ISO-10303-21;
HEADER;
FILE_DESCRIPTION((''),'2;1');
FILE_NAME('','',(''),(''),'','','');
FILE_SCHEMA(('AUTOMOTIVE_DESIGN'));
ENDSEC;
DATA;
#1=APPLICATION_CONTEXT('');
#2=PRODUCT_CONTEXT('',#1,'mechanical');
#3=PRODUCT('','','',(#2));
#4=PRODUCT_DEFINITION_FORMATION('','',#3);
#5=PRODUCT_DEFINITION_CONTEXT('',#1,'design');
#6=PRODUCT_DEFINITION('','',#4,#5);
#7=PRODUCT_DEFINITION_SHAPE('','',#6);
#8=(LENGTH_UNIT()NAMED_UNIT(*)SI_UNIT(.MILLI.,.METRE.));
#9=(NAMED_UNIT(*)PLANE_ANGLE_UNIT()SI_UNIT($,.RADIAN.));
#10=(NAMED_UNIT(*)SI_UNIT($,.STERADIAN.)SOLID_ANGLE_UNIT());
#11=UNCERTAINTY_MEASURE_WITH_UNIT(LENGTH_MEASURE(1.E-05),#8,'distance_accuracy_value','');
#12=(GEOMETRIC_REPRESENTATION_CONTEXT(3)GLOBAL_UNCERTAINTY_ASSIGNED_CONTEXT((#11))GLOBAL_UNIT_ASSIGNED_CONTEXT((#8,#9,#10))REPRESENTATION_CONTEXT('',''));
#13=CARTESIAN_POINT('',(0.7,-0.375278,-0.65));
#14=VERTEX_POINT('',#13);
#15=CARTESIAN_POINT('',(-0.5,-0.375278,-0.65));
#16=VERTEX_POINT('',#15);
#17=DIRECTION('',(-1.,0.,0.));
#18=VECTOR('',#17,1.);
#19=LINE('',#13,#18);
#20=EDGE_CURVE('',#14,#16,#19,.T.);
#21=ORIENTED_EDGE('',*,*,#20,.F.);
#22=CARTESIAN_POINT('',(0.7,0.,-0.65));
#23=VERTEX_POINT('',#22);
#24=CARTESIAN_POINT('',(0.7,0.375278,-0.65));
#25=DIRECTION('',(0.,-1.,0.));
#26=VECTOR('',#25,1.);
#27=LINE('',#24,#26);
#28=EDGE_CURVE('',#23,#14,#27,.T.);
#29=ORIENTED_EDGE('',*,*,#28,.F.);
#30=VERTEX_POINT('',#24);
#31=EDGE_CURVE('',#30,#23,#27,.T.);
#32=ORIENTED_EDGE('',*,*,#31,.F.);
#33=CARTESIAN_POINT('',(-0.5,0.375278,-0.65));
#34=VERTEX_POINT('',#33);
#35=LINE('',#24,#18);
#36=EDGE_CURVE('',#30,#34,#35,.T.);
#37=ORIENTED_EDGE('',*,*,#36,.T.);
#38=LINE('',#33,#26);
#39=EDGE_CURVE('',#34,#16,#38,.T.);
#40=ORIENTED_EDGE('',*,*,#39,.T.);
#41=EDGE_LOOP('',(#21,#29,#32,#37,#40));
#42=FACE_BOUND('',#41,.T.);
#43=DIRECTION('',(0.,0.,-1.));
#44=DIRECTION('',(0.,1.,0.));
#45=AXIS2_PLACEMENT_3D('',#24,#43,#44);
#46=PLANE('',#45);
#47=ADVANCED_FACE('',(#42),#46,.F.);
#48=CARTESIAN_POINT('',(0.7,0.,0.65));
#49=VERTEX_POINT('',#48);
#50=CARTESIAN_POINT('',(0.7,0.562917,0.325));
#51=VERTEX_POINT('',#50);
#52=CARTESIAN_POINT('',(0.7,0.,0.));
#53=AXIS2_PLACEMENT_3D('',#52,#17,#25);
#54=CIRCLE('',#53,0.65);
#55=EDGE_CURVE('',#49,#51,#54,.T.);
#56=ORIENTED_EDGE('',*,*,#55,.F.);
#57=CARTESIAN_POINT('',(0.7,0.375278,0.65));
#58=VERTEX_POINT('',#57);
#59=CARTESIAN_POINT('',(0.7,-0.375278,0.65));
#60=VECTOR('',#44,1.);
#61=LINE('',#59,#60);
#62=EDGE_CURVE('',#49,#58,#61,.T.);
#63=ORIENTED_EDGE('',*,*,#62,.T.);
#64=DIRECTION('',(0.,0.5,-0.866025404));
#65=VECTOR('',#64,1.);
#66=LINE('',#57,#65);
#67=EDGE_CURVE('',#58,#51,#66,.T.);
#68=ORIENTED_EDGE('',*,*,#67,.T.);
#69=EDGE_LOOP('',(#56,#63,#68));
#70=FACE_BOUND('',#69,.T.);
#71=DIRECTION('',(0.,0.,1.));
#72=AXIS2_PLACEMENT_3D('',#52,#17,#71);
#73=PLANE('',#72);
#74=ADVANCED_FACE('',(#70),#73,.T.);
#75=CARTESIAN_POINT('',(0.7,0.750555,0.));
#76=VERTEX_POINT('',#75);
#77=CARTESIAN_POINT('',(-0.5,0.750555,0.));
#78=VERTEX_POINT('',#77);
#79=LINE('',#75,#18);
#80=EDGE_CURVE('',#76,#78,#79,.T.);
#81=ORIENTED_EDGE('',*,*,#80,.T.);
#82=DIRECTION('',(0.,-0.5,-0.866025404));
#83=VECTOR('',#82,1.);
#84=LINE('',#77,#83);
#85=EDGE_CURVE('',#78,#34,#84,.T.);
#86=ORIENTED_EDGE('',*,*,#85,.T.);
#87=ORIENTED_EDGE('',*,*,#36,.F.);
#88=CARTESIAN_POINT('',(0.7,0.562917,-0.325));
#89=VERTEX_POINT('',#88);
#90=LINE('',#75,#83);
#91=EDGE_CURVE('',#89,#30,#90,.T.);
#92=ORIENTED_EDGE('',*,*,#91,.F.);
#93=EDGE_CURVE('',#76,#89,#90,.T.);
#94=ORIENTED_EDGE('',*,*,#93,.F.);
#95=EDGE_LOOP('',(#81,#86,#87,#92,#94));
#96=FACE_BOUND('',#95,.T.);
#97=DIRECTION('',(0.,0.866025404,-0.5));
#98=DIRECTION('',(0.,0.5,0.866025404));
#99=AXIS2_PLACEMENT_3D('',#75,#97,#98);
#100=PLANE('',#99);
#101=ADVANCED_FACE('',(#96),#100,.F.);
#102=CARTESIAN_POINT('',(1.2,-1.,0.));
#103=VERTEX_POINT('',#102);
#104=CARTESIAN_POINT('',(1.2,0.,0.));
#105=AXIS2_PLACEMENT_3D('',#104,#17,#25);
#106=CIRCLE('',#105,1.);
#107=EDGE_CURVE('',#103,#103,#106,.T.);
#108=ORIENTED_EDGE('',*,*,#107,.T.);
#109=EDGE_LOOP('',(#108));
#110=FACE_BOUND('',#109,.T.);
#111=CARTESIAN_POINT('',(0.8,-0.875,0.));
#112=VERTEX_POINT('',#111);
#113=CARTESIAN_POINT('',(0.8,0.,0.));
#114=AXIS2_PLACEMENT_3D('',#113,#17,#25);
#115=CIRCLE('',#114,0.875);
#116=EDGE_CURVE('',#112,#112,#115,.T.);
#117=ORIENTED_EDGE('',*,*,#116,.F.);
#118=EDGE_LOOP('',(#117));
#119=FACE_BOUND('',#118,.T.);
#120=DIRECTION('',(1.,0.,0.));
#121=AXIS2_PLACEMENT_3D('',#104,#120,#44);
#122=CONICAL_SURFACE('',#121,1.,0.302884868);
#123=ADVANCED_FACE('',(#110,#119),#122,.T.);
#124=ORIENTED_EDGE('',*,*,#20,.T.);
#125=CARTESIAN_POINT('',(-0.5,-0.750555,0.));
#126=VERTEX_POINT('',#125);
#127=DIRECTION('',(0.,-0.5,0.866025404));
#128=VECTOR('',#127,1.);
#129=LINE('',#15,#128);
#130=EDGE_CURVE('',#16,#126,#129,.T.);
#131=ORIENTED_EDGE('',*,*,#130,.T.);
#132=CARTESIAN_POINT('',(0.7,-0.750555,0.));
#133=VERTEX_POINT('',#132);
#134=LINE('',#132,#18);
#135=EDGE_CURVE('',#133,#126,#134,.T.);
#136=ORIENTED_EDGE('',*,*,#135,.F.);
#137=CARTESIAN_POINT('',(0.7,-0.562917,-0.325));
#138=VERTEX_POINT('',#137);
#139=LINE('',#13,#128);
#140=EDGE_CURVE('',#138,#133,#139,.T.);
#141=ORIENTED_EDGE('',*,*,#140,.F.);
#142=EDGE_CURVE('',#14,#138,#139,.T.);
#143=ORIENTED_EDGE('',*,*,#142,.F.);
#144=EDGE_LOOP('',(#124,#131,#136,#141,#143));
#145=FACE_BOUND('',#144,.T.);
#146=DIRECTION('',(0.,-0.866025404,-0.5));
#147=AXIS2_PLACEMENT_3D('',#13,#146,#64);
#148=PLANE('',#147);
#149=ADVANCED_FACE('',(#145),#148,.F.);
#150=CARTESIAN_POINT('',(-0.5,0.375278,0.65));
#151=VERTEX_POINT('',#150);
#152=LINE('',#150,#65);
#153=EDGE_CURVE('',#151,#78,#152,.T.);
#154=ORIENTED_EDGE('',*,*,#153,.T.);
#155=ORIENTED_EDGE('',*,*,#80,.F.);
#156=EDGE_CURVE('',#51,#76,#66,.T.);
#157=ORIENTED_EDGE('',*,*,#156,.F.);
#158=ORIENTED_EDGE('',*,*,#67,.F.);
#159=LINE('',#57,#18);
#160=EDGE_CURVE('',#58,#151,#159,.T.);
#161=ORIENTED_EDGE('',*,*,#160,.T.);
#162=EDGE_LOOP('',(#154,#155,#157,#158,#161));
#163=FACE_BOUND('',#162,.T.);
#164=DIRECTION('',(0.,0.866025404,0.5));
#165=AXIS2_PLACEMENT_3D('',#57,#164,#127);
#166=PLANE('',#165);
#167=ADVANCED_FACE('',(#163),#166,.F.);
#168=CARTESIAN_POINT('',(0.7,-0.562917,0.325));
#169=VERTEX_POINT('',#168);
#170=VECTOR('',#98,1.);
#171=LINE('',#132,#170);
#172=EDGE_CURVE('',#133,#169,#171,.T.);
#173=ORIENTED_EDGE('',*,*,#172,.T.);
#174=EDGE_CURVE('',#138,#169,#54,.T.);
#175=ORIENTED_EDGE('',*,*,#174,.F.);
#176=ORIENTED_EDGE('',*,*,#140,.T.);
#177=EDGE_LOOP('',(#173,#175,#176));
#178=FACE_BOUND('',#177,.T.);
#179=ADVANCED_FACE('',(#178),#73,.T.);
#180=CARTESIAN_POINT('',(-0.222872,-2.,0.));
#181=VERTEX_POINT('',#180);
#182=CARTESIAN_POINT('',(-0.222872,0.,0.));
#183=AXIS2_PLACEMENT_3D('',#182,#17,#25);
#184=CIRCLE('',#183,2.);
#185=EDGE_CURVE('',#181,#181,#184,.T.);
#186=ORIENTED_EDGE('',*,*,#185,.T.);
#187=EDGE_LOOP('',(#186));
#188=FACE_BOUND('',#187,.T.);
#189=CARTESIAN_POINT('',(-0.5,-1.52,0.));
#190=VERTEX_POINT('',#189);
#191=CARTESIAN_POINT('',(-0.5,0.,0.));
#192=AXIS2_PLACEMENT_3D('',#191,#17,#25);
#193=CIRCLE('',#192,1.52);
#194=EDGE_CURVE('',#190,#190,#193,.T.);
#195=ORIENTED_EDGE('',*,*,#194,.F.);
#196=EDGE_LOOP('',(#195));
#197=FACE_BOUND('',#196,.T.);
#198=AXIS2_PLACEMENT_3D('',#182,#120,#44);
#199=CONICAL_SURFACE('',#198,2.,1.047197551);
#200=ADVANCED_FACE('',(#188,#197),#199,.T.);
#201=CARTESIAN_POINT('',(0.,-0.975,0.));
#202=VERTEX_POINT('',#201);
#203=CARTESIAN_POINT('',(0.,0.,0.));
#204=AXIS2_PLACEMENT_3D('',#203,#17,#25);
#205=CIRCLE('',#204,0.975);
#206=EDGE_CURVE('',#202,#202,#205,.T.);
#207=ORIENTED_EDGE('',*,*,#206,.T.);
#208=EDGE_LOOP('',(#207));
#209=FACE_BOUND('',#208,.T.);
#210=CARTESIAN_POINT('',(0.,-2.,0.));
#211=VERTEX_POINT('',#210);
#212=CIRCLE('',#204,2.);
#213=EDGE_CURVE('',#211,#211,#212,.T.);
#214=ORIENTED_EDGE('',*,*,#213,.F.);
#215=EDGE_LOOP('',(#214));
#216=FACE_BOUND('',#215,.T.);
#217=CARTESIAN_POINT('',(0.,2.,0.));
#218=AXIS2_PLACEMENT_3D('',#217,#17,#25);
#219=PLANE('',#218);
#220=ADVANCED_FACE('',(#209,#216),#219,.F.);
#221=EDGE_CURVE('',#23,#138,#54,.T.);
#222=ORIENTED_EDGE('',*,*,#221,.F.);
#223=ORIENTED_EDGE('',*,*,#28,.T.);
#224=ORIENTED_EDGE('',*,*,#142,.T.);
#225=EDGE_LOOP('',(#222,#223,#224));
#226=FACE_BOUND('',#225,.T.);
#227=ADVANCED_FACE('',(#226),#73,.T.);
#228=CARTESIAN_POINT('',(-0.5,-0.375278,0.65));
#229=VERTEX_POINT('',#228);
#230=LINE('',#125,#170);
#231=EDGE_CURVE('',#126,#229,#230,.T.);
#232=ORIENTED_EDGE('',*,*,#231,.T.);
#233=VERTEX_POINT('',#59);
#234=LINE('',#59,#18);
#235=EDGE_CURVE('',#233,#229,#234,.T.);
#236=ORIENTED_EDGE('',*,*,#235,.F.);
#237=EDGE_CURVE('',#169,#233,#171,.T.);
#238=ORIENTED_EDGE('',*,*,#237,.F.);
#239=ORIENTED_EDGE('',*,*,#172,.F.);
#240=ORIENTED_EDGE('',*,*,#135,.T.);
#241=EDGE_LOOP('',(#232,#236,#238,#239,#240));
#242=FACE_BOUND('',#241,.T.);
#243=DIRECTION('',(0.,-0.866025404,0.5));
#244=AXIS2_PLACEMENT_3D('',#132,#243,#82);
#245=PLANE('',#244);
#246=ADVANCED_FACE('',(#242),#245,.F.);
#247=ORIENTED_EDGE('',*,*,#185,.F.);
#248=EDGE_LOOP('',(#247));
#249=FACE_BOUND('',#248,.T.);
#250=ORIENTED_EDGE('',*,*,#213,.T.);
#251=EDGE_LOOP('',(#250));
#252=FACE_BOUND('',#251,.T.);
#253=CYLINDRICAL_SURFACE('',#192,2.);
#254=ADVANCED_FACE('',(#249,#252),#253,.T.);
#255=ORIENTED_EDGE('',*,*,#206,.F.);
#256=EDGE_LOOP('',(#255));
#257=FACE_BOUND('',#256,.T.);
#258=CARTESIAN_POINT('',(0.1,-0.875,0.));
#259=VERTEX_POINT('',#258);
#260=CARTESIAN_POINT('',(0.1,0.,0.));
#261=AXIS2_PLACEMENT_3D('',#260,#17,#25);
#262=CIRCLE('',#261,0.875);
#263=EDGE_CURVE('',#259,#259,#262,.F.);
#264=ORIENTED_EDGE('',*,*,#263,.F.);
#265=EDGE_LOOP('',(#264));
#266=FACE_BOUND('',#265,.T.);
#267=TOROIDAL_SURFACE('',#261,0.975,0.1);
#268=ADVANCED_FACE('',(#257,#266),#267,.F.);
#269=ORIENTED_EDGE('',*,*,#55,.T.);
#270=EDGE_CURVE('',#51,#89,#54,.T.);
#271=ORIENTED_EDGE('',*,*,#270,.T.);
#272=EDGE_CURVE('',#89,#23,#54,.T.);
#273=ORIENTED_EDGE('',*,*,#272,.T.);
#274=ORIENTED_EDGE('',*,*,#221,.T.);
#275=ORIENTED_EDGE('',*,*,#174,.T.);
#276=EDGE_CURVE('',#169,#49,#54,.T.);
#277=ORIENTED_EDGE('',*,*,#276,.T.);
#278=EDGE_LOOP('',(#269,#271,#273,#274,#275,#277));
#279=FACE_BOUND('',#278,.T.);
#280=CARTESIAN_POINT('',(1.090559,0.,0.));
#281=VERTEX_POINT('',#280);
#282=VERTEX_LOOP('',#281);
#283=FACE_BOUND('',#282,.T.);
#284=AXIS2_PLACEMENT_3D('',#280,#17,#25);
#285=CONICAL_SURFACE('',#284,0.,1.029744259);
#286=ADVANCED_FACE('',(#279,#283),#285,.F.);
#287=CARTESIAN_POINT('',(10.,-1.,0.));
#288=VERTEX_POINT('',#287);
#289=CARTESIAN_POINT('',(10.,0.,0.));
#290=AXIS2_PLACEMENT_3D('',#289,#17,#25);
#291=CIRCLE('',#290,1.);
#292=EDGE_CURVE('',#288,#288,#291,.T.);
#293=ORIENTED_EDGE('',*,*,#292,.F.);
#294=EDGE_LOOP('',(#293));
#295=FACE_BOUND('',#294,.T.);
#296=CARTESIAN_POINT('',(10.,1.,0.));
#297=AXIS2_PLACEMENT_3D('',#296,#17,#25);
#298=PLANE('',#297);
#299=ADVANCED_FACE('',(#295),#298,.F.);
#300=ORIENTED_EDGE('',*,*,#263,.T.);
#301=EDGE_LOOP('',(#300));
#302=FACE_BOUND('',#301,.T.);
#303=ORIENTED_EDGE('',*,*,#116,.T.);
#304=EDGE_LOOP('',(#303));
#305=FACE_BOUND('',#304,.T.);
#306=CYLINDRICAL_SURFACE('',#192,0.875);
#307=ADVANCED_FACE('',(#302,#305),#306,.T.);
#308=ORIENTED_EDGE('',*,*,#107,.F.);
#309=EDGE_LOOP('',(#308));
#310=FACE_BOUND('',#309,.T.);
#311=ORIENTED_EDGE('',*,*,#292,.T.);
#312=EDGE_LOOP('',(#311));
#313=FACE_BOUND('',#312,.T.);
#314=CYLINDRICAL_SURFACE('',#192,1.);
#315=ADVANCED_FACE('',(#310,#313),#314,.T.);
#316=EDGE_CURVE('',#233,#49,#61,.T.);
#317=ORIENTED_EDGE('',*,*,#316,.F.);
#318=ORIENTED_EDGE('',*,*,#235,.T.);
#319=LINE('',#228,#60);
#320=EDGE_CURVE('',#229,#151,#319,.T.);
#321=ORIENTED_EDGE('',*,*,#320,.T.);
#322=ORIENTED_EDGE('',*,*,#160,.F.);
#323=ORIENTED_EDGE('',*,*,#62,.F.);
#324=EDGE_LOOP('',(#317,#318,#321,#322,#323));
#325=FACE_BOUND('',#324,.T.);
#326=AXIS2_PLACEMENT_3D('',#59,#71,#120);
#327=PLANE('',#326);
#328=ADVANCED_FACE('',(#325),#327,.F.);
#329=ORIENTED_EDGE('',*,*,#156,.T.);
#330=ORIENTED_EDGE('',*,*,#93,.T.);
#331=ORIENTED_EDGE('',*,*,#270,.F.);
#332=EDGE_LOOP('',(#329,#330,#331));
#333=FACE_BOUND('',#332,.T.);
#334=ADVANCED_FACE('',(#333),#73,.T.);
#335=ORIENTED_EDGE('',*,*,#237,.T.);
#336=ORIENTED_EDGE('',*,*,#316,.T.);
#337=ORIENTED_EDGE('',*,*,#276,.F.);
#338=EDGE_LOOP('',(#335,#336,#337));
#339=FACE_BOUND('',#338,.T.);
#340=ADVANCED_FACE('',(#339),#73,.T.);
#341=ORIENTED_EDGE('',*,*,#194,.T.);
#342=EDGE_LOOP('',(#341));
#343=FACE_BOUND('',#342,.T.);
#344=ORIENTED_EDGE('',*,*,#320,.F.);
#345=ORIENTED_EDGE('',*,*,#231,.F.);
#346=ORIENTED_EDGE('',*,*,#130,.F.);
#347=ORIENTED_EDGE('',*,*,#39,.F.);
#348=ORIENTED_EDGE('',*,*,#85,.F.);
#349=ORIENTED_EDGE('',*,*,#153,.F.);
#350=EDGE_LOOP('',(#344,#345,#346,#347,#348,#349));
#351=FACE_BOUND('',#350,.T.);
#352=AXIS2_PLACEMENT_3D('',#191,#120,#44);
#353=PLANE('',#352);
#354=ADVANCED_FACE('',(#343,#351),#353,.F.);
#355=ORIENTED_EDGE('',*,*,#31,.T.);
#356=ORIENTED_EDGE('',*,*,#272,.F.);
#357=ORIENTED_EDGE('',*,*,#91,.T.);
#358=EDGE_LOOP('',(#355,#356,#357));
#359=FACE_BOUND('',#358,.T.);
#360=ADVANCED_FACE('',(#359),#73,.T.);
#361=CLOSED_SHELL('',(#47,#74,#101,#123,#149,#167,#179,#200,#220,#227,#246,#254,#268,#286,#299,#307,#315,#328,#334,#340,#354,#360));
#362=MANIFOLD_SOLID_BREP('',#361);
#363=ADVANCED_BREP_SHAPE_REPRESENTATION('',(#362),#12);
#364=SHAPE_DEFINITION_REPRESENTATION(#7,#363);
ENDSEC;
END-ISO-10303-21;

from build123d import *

# Parameters (mm, degrees)
FILLET1_R          = 0.1
CUT_EXTRUDE1_DEPTH = 1.2


with BuildPart() as part:
    # Sketch1 → Revolve1 (revolve)
    with BuildSketch(Plane.XY, mode=Mode.PRIVATE) as revolve1_sk:
        Polygon((-0.5, 0), (-0.5, 1.52), (-0.222871871, 2), (0, 2), (0, 0.875), (0.8, 0.875), (1.2, 1), (10, 1), (10, 0), align=None)
    revolve(revolve1_sk.sketch.rotate(Axis((-0.5, 0, 0), (1, 0, 0)), 180), axis=Axis((-0.5, 0, 0), (1, 0, 0)))

    # Fillet1
    fillet1_edges = [part.edges().sort_by_distance(p)[0] for p in [
        (0, 0.875, 0),
    ]]
    fillet(fillet1_edges, radius=FILLET1_R)

    # Sketch2 → Cut-Extrude1 (cut)
    with BuildSketch(Plane.ZY.offset(0.5)):
        Polygon((0, 0.75055535), (-0.65, 0.375277675), (-0.65, -0.375277675), (0, -0.75055535), (0.65, -0.375277675), (0.65, 0.375277675), align=None)
    extrude(amount=-CUT_EXTRUDE1_DEPTH, mode=Mode.SUBTRACT)

    # Sketch3 → Cut-Revolve1 (revolve, cut)
    with BuildSketch(Plane.XY, mode=Mode.PRIVATE) as cut_revolve1_sk:
        Polygon((0.7, 0), (0.7, 0.65), (1.090559402, 0), align=None)
    revolve(cut_revolve1_sk.sketch.rotate(Axis((0.7, 0, 0), (1, 0, 0)), 180), axis=Axis((0.7, 0, 0), (1, 0, 0)), mode=Mode.SUBTRACT)


solid = part.part
